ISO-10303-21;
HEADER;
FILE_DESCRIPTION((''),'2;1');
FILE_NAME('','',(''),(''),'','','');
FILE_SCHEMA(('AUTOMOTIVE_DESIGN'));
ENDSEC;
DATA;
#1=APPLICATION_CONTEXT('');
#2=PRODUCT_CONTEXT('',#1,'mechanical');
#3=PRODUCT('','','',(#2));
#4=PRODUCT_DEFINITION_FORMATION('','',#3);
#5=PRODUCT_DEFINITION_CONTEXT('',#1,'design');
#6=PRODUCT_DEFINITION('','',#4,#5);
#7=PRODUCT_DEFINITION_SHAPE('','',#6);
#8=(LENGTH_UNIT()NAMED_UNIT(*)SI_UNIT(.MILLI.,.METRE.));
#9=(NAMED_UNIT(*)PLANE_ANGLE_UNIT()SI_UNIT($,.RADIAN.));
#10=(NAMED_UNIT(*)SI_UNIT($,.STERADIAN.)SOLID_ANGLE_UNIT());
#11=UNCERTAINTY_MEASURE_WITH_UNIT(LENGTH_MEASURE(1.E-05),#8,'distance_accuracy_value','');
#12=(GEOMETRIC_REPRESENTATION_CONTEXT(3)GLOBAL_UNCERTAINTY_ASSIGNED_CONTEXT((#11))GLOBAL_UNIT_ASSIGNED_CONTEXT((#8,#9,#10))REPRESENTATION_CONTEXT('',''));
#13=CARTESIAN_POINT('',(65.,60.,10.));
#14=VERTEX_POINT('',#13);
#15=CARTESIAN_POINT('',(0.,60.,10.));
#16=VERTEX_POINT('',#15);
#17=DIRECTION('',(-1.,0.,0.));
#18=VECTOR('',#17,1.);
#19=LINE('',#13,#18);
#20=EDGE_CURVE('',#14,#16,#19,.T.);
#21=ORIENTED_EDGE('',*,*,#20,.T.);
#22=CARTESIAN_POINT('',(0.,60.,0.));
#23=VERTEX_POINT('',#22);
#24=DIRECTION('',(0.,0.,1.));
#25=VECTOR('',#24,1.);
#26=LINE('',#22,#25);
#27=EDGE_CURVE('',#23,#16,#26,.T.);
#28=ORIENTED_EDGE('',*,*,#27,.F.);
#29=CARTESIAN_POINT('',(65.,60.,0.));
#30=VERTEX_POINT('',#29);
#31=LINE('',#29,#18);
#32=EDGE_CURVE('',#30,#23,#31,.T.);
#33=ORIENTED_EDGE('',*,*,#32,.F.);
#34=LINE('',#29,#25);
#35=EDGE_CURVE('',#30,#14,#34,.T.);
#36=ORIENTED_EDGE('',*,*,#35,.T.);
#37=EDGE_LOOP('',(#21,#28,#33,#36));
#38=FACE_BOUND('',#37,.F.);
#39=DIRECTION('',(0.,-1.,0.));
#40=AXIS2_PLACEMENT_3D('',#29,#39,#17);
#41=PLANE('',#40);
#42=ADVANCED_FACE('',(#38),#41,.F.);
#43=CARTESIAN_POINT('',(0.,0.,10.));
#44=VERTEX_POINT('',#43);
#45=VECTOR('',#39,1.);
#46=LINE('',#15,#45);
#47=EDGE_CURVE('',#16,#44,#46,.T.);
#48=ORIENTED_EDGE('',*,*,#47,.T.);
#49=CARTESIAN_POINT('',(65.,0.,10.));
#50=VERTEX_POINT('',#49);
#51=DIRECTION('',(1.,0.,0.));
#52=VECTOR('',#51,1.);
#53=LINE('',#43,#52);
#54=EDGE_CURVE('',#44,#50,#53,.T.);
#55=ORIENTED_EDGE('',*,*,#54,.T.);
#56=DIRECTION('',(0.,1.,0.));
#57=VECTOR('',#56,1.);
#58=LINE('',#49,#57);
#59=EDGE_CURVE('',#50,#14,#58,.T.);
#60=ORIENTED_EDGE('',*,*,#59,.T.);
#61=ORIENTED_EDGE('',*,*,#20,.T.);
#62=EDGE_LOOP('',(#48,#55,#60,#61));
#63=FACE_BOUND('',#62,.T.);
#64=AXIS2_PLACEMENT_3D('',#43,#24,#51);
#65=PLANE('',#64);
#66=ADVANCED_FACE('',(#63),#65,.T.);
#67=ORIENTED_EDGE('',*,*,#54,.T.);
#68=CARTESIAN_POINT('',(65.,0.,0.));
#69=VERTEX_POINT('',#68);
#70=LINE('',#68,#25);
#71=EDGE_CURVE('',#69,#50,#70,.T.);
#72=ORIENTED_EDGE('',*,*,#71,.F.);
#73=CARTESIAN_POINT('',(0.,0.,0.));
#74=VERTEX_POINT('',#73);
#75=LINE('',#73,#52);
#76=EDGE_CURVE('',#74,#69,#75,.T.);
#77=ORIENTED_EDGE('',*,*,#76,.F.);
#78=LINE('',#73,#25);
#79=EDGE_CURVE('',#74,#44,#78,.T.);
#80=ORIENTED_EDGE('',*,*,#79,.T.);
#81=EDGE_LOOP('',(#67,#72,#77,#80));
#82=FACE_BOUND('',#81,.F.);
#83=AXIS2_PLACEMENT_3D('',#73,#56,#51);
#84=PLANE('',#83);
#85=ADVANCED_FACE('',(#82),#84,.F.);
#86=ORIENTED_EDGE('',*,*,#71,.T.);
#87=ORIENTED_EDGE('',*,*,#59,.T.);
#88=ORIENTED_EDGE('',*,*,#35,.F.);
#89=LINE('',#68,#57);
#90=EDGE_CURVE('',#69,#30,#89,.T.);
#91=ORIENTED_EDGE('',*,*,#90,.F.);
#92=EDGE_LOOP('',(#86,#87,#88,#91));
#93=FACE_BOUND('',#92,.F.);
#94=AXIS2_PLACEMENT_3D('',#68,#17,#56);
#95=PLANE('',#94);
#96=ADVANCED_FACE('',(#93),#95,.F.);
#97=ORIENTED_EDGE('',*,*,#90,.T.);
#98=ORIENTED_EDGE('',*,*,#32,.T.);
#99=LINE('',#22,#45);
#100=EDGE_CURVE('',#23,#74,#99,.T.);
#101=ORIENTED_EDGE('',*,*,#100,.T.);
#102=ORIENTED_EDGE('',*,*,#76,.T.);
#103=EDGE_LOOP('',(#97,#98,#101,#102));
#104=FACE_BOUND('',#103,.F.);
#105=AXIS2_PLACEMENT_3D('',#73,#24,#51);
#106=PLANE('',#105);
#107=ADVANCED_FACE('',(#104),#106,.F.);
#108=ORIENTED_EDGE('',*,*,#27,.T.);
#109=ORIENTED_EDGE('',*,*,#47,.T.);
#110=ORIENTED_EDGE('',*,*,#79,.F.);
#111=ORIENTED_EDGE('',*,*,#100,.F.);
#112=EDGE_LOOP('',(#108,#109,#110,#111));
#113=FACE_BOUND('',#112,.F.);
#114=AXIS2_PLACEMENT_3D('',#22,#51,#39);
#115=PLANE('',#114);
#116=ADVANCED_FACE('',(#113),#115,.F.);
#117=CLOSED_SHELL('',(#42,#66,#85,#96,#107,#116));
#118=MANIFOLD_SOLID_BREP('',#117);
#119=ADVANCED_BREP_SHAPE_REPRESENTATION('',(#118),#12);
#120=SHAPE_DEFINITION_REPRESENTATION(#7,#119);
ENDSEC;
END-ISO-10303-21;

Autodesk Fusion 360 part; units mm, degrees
sketch "Sketch1" plane through (0, 0, 0) normal (0, 0, 1) x (1, 0, 0)
  line L0 (0, 0) -> (65, 0)
  line L1 (65, 0) -> (65, 60)
  line L2 (65, 60) -> (0, 60)
  line L3 (0, 60) -> (0, 0)
extrude "Extrude1" add sketch "Sketch1" along normal blind 10
